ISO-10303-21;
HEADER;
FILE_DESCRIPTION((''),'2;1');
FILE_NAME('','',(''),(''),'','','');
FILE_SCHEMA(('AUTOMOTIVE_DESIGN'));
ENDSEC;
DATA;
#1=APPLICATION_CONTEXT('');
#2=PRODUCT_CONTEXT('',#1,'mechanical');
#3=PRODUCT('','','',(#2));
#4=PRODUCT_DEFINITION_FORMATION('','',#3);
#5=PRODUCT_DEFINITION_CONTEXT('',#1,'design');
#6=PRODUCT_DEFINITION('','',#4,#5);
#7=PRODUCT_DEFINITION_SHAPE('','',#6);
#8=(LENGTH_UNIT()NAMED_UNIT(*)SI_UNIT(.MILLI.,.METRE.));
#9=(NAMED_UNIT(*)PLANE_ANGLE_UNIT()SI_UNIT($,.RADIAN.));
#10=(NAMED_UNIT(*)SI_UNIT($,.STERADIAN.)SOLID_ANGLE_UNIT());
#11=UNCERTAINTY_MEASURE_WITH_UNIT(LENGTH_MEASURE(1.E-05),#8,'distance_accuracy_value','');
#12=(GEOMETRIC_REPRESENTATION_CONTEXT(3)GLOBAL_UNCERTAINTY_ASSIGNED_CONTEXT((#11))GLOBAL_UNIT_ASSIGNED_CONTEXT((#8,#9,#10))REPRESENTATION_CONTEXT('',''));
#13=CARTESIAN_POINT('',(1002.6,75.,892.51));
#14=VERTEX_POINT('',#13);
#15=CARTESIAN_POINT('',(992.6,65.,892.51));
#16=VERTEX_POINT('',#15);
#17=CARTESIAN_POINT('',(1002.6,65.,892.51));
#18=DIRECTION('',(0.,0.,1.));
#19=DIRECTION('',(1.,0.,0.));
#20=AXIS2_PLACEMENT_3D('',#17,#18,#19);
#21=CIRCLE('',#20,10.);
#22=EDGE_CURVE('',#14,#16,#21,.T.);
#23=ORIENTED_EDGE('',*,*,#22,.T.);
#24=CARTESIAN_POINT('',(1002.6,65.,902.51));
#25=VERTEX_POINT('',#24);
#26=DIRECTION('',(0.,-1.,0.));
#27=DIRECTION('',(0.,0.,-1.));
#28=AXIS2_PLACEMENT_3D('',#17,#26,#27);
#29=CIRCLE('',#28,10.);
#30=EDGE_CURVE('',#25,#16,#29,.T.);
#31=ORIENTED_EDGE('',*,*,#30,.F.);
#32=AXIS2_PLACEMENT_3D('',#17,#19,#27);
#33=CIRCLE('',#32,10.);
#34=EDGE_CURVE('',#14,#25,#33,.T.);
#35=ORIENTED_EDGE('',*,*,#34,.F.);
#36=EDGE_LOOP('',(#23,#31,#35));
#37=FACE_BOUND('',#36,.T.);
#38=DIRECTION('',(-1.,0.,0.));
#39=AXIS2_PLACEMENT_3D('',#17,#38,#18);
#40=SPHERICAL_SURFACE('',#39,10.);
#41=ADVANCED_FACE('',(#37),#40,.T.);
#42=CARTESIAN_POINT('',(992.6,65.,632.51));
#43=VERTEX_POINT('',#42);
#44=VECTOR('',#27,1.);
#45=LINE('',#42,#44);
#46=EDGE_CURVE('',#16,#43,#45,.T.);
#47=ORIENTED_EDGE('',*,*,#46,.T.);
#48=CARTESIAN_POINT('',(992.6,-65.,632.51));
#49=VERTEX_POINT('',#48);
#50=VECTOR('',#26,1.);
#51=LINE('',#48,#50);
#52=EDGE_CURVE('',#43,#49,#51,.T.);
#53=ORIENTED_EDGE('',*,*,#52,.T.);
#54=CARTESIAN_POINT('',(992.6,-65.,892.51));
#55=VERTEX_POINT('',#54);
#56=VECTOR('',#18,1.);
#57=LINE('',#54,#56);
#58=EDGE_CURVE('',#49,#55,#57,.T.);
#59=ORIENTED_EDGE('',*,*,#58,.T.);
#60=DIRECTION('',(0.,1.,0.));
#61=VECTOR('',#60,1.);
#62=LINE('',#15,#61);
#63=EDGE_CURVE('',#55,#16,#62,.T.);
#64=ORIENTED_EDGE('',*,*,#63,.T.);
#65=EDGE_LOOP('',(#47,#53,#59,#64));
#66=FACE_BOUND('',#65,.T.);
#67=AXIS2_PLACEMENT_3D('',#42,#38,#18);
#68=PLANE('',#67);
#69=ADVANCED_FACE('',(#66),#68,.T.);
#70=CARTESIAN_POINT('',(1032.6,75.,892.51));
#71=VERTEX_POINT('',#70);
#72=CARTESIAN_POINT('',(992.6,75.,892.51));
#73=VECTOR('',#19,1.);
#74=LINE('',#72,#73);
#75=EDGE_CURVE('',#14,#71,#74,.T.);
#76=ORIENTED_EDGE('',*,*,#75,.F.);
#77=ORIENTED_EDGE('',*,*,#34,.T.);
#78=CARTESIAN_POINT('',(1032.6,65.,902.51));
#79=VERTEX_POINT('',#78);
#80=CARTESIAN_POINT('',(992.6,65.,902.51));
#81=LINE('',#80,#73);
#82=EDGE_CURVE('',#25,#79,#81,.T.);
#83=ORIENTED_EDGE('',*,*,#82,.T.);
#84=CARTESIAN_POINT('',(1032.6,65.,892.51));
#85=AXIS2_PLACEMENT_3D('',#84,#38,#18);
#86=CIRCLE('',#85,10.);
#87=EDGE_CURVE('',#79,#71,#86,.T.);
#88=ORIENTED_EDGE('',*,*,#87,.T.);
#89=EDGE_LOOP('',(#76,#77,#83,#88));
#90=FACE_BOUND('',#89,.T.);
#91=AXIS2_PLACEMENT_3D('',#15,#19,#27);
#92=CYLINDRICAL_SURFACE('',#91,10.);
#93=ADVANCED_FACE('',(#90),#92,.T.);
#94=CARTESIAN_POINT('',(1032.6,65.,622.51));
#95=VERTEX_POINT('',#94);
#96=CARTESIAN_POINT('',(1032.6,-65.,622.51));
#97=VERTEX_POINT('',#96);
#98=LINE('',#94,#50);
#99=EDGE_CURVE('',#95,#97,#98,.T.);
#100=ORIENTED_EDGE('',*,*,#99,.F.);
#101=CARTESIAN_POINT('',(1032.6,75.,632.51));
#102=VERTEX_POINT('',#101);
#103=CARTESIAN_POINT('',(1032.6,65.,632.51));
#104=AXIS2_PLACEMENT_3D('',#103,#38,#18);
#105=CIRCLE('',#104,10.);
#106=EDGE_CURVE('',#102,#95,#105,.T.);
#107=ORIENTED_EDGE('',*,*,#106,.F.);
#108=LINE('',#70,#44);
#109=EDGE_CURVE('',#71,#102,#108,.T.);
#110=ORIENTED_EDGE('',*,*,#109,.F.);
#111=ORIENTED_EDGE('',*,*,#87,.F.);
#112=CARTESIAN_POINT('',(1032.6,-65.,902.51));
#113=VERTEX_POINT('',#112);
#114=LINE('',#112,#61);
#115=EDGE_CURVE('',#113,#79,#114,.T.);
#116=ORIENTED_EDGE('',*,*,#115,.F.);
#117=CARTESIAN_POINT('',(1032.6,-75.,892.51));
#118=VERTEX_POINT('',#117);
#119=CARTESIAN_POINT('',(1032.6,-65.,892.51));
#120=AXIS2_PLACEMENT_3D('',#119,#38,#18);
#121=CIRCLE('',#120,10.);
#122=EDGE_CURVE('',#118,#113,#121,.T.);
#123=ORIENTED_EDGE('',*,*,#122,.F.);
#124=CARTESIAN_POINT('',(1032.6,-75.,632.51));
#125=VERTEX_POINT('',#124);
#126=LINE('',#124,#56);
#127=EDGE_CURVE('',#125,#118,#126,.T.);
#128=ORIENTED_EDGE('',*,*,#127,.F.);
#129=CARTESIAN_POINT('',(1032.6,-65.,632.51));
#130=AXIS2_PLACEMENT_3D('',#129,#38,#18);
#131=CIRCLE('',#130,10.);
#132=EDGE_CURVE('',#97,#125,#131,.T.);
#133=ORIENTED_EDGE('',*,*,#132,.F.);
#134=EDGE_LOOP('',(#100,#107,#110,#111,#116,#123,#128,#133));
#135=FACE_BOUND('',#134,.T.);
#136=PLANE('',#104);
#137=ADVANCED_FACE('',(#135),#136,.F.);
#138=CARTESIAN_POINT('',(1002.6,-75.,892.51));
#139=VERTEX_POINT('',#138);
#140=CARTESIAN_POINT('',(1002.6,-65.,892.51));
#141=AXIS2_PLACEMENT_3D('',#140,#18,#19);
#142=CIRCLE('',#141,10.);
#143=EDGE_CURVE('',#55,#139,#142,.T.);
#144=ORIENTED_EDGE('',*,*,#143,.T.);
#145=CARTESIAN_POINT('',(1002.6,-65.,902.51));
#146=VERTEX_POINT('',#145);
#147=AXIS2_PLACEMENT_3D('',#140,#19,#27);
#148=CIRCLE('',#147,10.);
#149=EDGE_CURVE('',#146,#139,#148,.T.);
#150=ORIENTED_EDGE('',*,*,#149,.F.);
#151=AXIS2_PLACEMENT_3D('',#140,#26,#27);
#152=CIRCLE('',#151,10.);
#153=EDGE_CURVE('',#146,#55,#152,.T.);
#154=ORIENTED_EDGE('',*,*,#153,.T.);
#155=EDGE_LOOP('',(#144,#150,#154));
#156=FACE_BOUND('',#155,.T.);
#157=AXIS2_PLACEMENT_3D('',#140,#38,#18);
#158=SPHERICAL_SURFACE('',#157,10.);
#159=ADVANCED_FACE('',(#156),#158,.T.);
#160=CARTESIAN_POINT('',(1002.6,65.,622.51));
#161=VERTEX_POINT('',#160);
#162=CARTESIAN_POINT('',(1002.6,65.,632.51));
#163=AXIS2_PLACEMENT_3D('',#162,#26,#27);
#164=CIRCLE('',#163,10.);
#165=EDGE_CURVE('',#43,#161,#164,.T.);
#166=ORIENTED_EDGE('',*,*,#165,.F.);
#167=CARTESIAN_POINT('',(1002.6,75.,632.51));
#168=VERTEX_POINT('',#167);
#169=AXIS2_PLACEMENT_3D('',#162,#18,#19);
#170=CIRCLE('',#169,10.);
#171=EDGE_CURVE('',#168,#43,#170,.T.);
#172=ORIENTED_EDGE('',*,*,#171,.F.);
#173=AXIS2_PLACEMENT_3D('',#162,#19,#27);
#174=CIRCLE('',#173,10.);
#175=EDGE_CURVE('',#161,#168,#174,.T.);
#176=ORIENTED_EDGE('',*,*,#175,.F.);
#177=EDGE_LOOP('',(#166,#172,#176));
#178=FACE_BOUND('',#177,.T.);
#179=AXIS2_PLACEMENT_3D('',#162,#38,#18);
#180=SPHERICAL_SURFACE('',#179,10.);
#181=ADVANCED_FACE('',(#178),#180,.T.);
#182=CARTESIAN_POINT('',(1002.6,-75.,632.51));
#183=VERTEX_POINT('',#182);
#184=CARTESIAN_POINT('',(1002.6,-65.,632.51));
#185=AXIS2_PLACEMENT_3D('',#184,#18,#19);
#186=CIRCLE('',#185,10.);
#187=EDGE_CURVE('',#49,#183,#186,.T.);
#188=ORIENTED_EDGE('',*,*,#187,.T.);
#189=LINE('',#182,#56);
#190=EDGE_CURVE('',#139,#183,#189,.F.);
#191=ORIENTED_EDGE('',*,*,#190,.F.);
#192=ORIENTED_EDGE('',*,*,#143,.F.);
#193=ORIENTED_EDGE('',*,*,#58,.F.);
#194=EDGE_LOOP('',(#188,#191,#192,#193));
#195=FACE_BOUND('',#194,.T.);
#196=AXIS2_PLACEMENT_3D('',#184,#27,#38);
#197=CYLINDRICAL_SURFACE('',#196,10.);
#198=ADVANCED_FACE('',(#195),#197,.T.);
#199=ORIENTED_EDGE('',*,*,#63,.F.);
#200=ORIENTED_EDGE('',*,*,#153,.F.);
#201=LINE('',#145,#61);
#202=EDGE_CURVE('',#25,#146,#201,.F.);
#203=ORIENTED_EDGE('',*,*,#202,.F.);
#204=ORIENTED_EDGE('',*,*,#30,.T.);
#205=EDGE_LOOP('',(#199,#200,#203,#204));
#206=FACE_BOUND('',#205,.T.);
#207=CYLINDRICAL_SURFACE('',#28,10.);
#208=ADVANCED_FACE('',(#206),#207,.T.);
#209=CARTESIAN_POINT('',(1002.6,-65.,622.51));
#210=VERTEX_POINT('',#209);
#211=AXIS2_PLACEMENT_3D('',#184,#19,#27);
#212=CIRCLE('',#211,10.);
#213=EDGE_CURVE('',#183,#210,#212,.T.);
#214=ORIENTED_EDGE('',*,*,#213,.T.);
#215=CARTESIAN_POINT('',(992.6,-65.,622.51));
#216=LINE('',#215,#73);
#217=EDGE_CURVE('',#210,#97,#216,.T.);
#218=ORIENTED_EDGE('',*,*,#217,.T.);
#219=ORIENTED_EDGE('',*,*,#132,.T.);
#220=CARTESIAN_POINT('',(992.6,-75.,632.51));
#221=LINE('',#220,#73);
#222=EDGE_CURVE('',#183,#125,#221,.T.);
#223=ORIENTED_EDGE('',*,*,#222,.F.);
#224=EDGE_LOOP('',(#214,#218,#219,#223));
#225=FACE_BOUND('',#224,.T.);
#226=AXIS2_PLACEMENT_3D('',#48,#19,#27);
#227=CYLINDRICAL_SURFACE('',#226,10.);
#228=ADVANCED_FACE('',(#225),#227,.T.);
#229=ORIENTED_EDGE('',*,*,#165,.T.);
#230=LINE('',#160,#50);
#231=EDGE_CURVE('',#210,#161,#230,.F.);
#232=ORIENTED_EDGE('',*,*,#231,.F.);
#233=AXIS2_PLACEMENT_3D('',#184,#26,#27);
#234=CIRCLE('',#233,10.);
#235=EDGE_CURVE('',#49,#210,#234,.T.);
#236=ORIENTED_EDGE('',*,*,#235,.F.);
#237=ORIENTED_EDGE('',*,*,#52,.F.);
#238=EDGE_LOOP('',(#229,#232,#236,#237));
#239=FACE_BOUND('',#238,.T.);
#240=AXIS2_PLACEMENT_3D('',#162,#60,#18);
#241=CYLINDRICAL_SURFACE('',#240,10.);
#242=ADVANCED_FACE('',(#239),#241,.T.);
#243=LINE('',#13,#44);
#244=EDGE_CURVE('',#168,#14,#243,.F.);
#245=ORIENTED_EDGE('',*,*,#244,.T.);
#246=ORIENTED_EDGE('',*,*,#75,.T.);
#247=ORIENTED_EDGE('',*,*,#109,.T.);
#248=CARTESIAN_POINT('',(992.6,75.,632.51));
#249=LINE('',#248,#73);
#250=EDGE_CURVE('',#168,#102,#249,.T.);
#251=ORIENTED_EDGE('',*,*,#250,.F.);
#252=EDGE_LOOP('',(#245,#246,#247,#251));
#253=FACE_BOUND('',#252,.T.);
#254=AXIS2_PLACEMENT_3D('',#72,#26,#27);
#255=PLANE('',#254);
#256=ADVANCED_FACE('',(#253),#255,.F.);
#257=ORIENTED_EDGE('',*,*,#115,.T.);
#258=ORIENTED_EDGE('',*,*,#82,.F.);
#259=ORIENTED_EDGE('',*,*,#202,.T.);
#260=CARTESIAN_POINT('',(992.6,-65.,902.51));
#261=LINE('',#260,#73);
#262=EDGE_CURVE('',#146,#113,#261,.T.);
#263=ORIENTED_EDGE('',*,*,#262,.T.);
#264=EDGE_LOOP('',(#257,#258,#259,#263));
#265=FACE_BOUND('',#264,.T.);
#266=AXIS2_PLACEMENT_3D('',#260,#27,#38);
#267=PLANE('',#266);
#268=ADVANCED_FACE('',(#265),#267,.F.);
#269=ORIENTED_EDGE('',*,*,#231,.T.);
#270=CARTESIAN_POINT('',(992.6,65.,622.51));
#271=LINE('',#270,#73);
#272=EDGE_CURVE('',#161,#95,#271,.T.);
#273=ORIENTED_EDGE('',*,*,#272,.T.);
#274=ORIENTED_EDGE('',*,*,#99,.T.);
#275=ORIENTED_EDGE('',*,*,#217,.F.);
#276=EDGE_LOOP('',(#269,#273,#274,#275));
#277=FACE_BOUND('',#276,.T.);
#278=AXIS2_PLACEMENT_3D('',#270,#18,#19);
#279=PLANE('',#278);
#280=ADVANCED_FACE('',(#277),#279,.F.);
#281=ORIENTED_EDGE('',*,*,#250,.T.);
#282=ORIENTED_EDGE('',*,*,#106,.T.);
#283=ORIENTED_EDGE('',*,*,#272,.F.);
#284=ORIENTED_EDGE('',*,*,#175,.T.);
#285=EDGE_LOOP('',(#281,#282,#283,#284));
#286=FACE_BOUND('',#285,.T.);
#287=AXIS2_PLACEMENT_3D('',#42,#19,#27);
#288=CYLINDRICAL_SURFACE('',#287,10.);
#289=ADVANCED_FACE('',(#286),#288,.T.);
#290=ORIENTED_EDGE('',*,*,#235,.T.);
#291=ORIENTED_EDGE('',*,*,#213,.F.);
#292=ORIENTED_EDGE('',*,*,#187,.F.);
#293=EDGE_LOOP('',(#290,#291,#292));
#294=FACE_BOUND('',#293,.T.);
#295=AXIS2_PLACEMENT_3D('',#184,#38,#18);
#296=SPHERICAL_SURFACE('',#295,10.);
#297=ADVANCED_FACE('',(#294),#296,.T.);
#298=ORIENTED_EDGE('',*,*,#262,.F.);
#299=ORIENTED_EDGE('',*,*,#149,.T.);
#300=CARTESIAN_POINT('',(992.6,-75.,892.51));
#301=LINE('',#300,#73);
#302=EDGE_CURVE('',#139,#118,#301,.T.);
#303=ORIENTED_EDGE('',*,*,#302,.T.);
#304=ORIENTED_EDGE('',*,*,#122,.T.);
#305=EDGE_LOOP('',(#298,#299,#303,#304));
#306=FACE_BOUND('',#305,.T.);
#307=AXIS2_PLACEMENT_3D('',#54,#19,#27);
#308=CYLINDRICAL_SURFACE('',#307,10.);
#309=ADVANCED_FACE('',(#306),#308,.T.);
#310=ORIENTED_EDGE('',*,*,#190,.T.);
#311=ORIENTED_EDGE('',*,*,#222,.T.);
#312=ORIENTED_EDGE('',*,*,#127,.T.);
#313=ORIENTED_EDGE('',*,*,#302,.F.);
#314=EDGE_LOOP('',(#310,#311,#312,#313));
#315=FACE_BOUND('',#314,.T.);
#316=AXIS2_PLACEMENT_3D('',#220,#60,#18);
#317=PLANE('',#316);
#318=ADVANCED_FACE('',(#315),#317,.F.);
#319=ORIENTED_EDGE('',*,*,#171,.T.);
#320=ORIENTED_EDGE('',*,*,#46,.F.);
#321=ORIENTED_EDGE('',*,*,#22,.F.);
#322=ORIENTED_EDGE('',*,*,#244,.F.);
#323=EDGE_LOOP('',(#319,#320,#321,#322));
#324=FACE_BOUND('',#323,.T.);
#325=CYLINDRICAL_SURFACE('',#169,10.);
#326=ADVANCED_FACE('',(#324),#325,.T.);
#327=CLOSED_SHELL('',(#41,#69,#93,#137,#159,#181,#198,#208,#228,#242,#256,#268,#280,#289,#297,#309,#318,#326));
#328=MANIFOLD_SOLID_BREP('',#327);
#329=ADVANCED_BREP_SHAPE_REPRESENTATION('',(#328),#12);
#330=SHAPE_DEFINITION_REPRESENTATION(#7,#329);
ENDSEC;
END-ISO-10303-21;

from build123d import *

# Parameters (mm, degrees)
DODANIE_WYCI_GNI_CIE1_DEPTH = 40
ZAOKR_GLENIE1_R             = 10


with BuildPart() as part:
    # Szkic1 → Dodanie-wyciągnięcie1 (new body)
    with BuildSketch(Plane.ZY.offset(-1032.6)):
        with BuildLine():
            Line((622.51, 65), (622.51, -65))
            ThreePointArc((622.51, -65), (625.438932188, -72.071067812), (632.51, -75))
            Line((632.51, -75), (892.51, -75))
            ThreePointArc((892.51, -75), (899.581067812, -72.071067812), (902.51, -65))
            Line((902.51, -65), (902.51, 65))
            ThreePointArc((902.51, 65), (899.581067812, 72.071067812), (892.51, 75))
            Line((892.51, 75), (632.51, 75))
            ThreePointArc((632.51, 75), (625.438932188, 72.071067812), (622.51, 65))
        make_face()
    extrude(amount=DODANIE_WYCI_GNI_CIE1_DEPTH)

    # Zaokrąglenie1
    zaokr_glenie1_edges = [part.edges().sort_by_distance(p)[0] for p in [
        (992.6, -72.071067812, 625.438932188),
        (992.6, -75, 762.51),
        (992.6, -72.071067812, 899.581067812),
        (992.6, 0, 902.51),
        (992.6, 72.071067812, 899.581067812),
        (992.6, 75, 762.51),
        (992.6, 72.071067812, 625.438932188),
        (992.6, 0, 622.51),
    ]]
    fillet(zaokr_glenie1_edges, radius=ZAOKR_GLENIE1_R)


solid = part.part
